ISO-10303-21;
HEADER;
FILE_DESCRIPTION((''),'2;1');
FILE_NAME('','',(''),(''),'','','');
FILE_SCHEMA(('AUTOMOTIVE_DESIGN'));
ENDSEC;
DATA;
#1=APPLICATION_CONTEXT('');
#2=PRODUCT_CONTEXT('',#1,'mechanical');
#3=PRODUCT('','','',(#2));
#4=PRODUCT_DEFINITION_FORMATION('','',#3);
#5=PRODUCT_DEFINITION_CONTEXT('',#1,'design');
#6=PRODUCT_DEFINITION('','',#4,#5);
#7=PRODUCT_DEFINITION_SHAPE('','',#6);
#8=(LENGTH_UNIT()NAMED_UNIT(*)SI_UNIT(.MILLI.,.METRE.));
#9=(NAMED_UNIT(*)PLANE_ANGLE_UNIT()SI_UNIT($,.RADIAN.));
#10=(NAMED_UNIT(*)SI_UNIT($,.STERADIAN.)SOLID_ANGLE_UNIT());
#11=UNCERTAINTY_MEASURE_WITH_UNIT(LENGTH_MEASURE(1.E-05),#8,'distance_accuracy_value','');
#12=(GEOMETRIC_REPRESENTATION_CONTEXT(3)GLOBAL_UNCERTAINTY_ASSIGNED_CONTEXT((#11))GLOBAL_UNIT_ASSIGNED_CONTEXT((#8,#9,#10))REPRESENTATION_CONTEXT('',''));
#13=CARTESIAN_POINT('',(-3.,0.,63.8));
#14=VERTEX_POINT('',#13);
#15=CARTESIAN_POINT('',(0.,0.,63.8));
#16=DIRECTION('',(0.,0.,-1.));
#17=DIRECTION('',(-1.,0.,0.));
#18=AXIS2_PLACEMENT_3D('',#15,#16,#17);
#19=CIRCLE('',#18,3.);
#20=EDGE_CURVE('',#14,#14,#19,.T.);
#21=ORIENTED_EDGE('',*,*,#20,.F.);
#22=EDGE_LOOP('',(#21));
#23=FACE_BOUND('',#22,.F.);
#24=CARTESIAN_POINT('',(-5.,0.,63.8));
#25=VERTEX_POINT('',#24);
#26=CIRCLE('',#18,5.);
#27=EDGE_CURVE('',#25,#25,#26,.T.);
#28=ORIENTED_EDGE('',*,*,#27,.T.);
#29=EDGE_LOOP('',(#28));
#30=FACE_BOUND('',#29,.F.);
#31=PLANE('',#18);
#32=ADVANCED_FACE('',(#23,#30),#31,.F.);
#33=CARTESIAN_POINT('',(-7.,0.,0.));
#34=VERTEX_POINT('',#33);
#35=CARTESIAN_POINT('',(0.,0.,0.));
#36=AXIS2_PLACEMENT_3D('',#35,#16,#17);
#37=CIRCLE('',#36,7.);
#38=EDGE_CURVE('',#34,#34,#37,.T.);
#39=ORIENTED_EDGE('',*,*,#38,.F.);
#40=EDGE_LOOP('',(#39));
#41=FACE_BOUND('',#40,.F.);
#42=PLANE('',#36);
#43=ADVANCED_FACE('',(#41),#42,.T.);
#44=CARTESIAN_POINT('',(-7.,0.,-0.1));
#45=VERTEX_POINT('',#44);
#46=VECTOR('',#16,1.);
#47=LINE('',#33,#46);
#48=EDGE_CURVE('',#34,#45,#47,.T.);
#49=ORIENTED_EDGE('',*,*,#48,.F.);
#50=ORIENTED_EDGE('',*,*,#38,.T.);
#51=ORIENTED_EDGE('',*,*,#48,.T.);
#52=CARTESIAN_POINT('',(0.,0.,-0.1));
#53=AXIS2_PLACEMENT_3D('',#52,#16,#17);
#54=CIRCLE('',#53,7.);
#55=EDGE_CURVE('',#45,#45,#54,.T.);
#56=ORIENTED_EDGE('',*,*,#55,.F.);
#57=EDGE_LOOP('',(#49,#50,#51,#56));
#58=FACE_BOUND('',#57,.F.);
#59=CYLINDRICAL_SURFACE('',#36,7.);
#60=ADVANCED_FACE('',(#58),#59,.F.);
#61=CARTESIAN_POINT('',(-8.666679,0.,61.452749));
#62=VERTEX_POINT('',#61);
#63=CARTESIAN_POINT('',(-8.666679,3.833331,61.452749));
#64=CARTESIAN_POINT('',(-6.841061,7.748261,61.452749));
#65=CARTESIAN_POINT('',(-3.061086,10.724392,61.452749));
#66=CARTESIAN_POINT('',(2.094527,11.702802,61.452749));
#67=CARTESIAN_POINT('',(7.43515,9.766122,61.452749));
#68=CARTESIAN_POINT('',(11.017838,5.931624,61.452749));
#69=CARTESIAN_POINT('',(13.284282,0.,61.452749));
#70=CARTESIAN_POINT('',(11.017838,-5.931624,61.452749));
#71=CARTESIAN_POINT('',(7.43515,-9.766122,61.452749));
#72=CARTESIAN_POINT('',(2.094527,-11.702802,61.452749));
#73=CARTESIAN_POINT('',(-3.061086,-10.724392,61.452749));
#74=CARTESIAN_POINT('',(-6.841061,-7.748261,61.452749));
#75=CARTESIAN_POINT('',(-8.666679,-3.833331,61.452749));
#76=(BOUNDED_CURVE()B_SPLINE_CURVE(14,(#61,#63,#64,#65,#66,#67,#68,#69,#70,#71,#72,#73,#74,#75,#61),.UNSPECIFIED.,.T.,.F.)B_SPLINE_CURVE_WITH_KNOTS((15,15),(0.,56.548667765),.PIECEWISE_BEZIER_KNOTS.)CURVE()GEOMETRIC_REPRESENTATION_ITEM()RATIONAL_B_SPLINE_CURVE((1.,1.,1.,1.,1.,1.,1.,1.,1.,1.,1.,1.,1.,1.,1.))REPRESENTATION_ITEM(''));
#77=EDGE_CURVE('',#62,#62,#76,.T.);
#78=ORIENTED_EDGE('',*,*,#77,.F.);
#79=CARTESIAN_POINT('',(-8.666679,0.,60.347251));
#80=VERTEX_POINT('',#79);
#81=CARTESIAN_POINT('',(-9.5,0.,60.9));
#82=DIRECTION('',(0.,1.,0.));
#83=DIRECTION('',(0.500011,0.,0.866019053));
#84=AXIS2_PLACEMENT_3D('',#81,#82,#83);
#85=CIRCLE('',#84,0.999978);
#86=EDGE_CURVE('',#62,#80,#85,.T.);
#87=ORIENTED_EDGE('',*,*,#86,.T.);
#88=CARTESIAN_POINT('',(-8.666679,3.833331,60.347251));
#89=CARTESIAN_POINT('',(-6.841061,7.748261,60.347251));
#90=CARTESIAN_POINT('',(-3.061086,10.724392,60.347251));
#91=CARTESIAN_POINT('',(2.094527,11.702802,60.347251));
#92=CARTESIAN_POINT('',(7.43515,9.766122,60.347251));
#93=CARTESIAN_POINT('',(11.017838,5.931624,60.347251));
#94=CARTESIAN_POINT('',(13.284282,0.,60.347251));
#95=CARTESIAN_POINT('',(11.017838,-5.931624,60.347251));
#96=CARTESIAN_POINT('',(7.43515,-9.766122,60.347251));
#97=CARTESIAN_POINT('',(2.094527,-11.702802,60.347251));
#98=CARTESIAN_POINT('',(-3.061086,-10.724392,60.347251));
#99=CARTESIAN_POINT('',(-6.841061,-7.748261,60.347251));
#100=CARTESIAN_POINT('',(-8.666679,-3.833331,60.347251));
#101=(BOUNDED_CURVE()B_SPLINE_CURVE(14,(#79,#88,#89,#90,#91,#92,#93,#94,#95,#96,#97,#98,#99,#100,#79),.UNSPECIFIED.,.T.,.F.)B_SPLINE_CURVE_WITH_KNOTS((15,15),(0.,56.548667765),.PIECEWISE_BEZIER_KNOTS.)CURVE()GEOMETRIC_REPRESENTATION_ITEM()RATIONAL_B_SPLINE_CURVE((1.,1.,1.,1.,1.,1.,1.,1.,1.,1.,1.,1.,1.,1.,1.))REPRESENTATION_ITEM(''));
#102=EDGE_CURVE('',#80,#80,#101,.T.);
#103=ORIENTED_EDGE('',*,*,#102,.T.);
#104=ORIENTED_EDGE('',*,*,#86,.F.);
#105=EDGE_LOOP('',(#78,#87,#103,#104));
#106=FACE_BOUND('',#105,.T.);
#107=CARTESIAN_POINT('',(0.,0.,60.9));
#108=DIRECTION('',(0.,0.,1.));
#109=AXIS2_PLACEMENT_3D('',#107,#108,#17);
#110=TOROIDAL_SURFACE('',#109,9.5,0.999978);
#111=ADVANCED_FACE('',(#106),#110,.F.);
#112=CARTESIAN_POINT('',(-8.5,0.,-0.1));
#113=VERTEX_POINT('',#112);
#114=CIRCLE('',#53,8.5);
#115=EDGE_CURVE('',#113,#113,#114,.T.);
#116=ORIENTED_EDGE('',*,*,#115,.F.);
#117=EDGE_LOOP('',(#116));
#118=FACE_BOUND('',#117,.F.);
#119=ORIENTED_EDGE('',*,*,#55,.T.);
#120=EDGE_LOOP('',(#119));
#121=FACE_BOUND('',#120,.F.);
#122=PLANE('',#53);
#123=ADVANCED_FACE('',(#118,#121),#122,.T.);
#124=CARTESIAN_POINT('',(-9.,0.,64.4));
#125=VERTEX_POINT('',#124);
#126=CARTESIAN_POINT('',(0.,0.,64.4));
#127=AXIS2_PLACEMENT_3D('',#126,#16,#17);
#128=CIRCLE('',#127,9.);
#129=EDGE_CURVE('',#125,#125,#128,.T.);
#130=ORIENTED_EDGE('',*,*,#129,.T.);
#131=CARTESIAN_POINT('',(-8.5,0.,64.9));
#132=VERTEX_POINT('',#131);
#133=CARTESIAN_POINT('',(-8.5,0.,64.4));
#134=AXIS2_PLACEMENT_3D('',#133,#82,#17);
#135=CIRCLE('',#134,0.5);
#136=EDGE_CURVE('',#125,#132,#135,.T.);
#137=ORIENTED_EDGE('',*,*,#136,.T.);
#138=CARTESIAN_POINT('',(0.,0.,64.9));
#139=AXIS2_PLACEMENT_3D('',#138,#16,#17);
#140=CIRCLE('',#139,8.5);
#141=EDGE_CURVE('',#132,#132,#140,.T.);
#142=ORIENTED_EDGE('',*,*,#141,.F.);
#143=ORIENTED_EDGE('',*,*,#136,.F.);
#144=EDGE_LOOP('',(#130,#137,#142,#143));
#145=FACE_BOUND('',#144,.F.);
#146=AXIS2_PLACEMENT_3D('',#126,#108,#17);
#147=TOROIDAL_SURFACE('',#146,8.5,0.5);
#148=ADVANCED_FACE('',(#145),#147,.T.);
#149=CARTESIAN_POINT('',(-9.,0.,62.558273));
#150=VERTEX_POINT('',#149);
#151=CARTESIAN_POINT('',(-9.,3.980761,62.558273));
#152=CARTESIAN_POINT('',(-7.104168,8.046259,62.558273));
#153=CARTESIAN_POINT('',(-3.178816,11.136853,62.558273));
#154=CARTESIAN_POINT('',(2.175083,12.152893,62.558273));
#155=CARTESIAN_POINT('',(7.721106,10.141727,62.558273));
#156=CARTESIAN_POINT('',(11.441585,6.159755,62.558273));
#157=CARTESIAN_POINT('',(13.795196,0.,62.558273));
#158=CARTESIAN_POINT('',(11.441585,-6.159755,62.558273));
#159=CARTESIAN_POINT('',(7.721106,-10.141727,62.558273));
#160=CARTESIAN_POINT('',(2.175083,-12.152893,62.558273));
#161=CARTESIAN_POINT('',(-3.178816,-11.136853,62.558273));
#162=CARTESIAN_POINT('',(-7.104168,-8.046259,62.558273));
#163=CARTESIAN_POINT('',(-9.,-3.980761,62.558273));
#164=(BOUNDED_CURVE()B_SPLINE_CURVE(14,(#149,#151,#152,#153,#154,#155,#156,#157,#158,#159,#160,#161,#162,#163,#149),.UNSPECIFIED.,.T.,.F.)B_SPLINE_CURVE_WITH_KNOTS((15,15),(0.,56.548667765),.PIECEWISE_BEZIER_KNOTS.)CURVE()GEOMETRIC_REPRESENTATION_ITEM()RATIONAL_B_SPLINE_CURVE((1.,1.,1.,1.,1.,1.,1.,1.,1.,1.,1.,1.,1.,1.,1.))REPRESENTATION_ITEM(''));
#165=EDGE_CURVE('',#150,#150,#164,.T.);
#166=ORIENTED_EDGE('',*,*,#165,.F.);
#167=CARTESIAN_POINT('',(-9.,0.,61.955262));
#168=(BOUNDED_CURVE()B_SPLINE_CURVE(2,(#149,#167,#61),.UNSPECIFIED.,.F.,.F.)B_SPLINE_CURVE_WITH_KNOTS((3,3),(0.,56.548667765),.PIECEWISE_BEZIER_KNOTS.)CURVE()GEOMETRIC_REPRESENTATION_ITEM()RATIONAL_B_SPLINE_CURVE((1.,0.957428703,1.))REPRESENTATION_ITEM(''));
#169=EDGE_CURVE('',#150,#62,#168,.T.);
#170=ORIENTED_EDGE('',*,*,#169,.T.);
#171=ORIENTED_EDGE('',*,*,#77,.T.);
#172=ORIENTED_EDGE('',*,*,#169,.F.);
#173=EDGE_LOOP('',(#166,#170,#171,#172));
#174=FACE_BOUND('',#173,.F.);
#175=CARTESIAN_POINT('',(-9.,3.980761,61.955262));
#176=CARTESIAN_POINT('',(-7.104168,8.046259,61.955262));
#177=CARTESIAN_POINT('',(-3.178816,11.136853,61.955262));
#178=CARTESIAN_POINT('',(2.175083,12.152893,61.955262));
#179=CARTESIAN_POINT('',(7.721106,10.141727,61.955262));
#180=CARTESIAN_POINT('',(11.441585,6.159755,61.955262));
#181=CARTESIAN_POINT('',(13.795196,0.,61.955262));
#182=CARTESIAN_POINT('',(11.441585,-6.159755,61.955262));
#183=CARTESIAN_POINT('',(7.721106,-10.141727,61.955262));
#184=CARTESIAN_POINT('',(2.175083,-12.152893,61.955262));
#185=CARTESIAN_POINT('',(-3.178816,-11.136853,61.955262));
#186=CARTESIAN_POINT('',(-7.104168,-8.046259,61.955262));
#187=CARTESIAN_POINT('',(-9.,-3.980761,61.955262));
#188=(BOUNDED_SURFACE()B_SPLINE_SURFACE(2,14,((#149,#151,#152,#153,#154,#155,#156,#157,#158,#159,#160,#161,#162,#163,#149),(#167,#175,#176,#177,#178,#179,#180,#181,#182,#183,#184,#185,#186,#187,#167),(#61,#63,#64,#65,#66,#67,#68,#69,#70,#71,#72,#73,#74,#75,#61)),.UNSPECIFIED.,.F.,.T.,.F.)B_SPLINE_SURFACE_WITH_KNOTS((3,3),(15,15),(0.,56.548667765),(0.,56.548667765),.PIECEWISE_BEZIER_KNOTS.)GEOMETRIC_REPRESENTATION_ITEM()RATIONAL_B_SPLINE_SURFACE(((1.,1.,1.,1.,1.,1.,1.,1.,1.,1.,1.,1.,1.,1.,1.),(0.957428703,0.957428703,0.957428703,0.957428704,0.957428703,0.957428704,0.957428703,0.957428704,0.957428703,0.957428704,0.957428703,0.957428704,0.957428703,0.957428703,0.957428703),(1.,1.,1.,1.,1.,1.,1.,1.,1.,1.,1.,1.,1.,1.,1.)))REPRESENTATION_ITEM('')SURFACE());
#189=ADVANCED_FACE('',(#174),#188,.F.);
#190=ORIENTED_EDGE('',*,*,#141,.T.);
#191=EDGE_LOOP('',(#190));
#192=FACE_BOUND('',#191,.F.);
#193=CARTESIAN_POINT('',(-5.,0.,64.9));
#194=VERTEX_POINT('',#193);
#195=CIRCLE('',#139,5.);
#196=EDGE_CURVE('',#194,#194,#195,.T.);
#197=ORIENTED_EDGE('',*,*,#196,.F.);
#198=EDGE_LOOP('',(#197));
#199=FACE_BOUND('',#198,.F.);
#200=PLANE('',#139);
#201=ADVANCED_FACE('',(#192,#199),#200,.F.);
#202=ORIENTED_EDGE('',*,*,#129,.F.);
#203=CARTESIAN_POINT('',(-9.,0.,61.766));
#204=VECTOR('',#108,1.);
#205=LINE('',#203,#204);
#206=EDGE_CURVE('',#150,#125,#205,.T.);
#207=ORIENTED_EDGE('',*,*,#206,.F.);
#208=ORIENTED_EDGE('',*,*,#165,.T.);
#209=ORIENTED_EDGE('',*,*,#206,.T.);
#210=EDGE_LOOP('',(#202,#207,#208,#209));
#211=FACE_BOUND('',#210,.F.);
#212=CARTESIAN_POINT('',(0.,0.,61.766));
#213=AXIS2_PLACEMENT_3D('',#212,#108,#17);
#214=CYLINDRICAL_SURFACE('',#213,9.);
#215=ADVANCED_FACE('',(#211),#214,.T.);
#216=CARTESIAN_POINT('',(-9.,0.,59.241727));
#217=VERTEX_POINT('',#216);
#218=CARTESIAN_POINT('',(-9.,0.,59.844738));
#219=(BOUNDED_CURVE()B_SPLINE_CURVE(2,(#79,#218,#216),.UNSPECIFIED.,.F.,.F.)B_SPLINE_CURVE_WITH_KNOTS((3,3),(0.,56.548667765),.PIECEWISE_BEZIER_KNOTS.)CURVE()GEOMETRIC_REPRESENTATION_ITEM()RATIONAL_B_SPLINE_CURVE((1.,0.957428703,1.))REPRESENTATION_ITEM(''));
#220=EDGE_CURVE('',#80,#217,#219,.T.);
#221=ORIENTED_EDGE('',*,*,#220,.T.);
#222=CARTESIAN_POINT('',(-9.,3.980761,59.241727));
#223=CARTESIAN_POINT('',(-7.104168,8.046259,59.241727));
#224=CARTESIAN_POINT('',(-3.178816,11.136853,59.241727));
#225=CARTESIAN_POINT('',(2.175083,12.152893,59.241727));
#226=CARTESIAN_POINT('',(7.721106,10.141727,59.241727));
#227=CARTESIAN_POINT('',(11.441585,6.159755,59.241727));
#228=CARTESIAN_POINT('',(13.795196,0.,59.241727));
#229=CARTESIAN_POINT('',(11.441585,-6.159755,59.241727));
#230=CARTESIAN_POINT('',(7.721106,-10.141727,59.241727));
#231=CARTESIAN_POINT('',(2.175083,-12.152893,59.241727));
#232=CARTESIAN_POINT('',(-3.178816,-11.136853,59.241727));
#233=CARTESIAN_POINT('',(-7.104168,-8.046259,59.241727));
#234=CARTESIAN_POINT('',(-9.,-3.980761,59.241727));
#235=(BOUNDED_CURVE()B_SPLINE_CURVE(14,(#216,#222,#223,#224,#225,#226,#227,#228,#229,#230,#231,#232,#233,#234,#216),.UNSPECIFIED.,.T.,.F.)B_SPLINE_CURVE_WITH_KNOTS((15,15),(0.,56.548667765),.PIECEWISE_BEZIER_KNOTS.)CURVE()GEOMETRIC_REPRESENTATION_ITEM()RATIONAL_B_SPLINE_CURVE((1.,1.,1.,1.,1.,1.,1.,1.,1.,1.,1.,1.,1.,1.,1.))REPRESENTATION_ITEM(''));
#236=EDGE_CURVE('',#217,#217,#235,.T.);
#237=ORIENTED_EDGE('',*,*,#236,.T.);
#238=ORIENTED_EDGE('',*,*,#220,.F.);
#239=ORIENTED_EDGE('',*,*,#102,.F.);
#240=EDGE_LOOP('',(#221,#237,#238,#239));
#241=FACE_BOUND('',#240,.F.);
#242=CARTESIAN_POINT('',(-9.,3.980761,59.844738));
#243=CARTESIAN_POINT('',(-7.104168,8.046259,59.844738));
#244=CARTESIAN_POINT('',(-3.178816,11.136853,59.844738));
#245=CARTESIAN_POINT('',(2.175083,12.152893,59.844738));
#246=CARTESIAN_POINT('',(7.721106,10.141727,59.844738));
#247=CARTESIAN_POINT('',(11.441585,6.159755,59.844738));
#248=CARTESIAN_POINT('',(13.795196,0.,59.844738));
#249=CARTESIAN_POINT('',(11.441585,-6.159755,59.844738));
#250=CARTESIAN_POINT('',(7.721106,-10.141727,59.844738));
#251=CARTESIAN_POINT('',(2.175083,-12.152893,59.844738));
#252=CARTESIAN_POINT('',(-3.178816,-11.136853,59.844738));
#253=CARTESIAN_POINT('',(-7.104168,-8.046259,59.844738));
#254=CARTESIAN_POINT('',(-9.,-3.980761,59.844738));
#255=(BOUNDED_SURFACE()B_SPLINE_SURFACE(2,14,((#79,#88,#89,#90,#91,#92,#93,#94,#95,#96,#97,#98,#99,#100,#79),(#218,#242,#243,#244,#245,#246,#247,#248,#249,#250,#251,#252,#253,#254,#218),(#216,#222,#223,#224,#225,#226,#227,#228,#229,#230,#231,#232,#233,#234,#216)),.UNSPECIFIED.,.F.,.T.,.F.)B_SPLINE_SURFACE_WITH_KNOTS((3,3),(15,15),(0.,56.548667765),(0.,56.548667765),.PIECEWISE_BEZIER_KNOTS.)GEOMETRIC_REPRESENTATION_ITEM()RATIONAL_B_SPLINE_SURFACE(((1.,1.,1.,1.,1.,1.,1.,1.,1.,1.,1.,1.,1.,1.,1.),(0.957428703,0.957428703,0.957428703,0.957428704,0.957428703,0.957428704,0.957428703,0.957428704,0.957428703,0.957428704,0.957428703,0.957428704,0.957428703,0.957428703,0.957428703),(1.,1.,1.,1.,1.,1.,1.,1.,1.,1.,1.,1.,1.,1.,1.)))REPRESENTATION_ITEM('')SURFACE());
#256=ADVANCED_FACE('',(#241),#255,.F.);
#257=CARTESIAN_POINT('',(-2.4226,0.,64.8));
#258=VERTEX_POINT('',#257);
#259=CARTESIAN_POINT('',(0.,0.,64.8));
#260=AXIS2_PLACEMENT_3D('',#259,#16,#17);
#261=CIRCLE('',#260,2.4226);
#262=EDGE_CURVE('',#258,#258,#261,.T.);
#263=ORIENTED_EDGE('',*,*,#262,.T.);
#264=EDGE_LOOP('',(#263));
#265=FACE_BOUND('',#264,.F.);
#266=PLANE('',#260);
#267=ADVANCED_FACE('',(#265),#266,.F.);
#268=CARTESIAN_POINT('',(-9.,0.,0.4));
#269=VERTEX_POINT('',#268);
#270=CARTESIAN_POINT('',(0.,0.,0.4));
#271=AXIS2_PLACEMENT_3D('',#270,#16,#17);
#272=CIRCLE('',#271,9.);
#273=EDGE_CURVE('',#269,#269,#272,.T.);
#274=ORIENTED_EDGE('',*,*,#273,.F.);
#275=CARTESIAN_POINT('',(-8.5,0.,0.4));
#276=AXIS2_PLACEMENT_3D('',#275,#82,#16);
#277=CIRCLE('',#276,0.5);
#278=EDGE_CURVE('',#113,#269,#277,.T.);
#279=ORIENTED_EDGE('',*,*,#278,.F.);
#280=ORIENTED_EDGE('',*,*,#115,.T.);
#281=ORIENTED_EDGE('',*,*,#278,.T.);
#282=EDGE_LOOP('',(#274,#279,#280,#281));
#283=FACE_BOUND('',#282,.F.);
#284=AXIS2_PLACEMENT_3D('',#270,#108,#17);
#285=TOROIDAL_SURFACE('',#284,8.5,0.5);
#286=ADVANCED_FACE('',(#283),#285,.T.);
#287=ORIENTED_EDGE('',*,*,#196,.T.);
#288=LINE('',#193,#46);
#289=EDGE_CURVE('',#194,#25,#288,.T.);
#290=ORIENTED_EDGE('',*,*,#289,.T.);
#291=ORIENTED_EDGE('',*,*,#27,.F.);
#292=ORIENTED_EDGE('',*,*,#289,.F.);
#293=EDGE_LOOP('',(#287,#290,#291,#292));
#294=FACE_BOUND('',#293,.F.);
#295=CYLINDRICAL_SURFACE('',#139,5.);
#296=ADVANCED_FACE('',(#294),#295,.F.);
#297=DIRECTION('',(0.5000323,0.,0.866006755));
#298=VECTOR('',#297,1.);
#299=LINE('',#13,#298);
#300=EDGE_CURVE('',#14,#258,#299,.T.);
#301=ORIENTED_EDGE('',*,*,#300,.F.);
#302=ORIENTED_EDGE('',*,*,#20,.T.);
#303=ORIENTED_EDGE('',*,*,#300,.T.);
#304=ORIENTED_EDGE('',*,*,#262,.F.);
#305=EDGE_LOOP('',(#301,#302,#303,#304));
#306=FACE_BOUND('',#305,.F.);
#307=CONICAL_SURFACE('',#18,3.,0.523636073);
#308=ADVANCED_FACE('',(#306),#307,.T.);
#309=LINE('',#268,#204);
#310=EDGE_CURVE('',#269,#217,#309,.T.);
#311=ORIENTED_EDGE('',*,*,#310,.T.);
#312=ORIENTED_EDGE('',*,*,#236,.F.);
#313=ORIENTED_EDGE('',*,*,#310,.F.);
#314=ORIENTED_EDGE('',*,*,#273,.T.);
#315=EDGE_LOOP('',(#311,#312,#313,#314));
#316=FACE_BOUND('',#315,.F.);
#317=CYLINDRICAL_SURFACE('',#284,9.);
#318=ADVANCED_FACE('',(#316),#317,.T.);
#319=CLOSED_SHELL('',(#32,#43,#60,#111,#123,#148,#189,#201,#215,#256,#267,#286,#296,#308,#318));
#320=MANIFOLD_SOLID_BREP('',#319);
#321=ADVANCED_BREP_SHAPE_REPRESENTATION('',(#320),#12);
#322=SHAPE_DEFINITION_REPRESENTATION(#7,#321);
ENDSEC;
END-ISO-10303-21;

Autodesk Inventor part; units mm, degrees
ref_plane "YZ Plane" through (0, 0, 0) normal (1, 0, 0) x (0, 1, 0)
ref_plane "XZ Plane" through (0, 0, 0) normal (0, 1, 0) x (-1, 0, 0)
ref_plane "XY Plane" through (0, 0, 0) normal (0, 0, 1) x (1, 0, 0)
sketch "Skizze1" plane through (0, 0, 0) normal (0, 1, 0) x (-1, 0, 0)
  line L0 (0, 0) -> (7, 0)
  line L1 (7, 0) -> (7, -0.1)
  line L2 (7, -0.1) -> (8.5, -0.1)
  arc A0 (8.5, -0.1) -> (9, 0.4) centre (8.5, 0.4) ccw
  line L3 (9, 0.4) -> (9, 60.034)
  arc A1 (9, 61.766) -> (9, 60.034) centre (9.5, 60.9) ccw
  line L4 (9, 61.766) -> (9, 64.4)
  arc A2 (9, 64.4) -> (8.5, 64.9) centre (8.5, 64.4) ccw
  line L5 (8.5, 64.9) -> (5, 64.9)
  line L6 (5, 64.9) -> (5, 63.8)
  line L7 (5, 63.8) -> (3, 63.8)
  line L8 (3, 63.8) -> (2.4226, 64.8)
  line L9 (2.4226, 64.8) -> (0, 64.8)
  line L10 (0, 64.8) -> (0, 0)
  dimension "d4" = 18
  dimension "d5" = 1
  dimension "d6" = 19
  dimension "d7" = 0.5
  dimension "d8" = 0.1
  dimension "d9" = 14
  dimension "d10" = 1
  dimension "d11" = 10
  dimension "d12" = 6
  dimension "d13" = 4
  dimension "d14" = 60
  dimension "d17" = 0.1
  dimension "d18" = 65
revolve "Umdrehung1" add sketch "Skizze1" angle 360 about axis through (0, 0, 64.8) along (0, 0, -1)
fillet "Rundung1" radius 2 2 edges at (9, 0, 60.034) (9, 0, 61.766)
equation "\"d17\" = d8"
properties part number "18650"
